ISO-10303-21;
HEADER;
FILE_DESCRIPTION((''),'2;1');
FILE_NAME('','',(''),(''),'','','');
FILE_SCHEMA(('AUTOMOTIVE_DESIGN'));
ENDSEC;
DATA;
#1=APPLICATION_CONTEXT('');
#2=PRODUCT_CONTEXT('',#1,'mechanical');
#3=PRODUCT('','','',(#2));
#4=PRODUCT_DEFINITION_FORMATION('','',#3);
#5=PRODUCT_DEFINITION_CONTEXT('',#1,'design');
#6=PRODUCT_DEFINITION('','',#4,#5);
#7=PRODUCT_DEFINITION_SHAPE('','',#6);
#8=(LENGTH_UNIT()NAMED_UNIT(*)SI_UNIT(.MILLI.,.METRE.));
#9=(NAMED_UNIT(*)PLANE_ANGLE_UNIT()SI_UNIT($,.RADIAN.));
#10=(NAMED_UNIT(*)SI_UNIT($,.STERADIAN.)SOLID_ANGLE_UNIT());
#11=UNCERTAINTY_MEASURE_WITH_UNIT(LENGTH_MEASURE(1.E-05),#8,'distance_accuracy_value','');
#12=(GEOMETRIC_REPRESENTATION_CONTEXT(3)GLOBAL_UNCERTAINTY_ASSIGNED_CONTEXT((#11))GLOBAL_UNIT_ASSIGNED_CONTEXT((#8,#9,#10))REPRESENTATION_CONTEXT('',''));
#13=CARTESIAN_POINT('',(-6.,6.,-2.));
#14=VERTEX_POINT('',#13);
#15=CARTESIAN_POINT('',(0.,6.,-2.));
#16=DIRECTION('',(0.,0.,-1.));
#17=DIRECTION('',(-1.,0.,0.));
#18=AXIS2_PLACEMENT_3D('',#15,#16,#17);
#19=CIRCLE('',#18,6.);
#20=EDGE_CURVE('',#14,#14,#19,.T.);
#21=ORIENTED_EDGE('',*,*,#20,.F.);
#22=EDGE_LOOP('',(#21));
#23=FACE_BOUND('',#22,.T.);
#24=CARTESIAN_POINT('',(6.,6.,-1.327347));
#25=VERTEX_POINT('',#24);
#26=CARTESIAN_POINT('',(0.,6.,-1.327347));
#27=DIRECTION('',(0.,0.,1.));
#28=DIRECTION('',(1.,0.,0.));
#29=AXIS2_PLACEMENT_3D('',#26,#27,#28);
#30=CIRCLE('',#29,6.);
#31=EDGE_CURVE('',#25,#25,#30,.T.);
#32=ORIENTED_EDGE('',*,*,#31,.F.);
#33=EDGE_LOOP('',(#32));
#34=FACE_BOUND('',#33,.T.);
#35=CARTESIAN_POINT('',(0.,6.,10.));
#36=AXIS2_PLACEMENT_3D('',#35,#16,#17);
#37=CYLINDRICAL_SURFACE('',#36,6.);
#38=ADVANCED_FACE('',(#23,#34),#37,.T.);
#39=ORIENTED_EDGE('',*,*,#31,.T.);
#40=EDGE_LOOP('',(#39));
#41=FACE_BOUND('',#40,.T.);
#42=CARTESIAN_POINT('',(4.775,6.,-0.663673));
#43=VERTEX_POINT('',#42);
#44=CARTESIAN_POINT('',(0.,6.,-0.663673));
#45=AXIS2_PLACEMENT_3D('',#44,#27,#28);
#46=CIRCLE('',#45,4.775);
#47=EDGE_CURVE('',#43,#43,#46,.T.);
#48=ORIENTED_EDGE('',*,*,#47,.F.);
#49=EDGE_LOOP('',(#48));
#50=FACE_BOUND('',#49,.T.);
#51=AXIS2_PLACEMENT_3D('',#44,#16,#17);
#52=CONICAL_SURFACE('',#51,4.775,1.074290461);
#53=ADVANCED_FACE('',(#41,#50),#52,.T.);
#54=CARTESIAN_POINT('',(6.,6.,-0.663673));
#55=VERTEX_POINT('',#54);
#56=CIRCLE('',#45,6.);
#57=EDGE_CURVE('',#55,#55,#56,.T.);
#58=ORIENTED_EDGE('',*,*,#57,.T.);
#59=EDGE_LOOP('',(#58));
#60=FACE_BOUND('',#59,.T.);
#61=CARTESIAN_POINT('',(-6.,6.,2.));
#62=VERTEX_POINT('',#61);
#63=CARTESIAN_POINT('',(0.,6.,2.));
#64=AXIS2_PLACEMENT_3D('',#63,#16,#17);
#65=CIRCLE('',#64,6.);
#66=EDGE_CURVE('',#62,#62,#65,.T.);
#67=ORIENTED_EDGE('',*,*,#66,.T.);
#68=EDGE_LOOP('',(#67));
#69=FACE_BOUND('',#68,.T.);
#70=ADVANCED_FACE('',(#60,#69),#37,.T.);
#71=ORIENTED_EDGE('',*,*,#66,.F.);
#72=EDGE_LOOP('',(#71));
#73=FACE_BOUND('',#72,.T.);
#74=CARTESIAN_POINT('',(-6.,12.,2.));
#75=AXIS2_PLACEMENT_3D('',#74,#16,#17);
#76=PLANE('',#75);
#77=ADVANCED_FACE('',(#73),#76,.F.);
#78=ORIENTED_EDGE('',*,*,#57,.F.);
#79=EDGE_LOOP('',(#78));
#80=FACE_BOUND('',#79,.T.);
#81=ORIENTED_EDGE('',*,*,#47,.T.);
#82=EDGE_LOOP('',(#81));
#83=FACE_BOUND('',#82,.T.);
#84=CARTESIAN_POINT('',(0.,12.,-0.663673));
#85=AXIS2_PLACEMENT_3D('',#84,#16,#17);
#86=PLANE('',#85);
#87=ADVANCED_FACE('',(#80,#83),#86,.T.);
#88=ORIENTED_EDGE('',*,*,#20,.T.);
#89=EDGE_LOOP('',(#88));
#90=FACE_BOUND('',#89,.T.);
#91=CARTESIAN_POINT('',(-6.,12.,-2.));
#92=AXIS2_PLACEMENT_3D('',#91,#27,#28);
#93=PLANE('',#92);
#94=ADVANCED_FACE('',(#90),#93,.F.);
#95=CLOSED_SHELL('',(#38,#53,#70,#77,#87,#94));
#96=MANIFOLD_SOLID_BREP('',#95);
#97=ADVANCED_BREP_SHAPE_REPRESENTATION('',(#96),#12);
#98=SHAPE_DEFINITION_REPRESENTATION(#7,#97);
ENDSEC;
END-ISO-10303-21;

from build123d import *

# Parameters (mm, degrees)
SKETCH1_W           = 12
SKETCH1_H           = 4
BOSS_EXTRUDE1_DEPTH = 12
SKETCH2_OUTSIDE_W   = 17.488
SKETCH2_OUTSIDE_H   = 17.488
SKETCH2_OUTSIDE_R   = 6
CUT_EXTRUDE1_DEPTH  = 12


with BuildPart() as part:
    # Sketch1 → Boss-Extrude1 (new body)
    with BuildSketch(Plane(origin=(0, 0, 0), x_dir=(1, 0, 0), z_dir=(0, 1, 0))):
        Rectangle(SKETCH1_W, SKETCH1_H)
    extrude(amount=BOSS_EXTRUDE1_DEPTH)

    # Sketch2 outside → Cut-Extrude1 (cut)
    with BuildSketch(Plane(origin=(0, 0, -2), x_dir=(-1, 0, 0), z_dir=(0, 0, -1))):
        with Locations((0, 6)):
            Rectangle(SKETCH2_OUTSIDE_W, SKETCH2_OUTSIDE_H)
        with Locations((0, 6)):
            Circle(SKETCH2_OUTSIDE_R, mode=Mode.SUBTRACT)
    extrude(amount=-CUT_EXTRUDE1_DEPTH, mode=Mode.SUBTRACT)

    # Sketch5 → Cut-Revolve1 (revolve, cut)
    with BuildSketch(Plane(origin=(0, 0, 0), x_dir=(0, 0, -1), z_dir=(1, 0, 0))):
        Polygon((0.663673358, 10.775), (1.327346716, 12), (0.663673358, 12), align=None)
    revolve(axis=Axis((0, 6, 0), (0, 0, -1)), mode=Mode.SUBTRACT)


solid = part.part
